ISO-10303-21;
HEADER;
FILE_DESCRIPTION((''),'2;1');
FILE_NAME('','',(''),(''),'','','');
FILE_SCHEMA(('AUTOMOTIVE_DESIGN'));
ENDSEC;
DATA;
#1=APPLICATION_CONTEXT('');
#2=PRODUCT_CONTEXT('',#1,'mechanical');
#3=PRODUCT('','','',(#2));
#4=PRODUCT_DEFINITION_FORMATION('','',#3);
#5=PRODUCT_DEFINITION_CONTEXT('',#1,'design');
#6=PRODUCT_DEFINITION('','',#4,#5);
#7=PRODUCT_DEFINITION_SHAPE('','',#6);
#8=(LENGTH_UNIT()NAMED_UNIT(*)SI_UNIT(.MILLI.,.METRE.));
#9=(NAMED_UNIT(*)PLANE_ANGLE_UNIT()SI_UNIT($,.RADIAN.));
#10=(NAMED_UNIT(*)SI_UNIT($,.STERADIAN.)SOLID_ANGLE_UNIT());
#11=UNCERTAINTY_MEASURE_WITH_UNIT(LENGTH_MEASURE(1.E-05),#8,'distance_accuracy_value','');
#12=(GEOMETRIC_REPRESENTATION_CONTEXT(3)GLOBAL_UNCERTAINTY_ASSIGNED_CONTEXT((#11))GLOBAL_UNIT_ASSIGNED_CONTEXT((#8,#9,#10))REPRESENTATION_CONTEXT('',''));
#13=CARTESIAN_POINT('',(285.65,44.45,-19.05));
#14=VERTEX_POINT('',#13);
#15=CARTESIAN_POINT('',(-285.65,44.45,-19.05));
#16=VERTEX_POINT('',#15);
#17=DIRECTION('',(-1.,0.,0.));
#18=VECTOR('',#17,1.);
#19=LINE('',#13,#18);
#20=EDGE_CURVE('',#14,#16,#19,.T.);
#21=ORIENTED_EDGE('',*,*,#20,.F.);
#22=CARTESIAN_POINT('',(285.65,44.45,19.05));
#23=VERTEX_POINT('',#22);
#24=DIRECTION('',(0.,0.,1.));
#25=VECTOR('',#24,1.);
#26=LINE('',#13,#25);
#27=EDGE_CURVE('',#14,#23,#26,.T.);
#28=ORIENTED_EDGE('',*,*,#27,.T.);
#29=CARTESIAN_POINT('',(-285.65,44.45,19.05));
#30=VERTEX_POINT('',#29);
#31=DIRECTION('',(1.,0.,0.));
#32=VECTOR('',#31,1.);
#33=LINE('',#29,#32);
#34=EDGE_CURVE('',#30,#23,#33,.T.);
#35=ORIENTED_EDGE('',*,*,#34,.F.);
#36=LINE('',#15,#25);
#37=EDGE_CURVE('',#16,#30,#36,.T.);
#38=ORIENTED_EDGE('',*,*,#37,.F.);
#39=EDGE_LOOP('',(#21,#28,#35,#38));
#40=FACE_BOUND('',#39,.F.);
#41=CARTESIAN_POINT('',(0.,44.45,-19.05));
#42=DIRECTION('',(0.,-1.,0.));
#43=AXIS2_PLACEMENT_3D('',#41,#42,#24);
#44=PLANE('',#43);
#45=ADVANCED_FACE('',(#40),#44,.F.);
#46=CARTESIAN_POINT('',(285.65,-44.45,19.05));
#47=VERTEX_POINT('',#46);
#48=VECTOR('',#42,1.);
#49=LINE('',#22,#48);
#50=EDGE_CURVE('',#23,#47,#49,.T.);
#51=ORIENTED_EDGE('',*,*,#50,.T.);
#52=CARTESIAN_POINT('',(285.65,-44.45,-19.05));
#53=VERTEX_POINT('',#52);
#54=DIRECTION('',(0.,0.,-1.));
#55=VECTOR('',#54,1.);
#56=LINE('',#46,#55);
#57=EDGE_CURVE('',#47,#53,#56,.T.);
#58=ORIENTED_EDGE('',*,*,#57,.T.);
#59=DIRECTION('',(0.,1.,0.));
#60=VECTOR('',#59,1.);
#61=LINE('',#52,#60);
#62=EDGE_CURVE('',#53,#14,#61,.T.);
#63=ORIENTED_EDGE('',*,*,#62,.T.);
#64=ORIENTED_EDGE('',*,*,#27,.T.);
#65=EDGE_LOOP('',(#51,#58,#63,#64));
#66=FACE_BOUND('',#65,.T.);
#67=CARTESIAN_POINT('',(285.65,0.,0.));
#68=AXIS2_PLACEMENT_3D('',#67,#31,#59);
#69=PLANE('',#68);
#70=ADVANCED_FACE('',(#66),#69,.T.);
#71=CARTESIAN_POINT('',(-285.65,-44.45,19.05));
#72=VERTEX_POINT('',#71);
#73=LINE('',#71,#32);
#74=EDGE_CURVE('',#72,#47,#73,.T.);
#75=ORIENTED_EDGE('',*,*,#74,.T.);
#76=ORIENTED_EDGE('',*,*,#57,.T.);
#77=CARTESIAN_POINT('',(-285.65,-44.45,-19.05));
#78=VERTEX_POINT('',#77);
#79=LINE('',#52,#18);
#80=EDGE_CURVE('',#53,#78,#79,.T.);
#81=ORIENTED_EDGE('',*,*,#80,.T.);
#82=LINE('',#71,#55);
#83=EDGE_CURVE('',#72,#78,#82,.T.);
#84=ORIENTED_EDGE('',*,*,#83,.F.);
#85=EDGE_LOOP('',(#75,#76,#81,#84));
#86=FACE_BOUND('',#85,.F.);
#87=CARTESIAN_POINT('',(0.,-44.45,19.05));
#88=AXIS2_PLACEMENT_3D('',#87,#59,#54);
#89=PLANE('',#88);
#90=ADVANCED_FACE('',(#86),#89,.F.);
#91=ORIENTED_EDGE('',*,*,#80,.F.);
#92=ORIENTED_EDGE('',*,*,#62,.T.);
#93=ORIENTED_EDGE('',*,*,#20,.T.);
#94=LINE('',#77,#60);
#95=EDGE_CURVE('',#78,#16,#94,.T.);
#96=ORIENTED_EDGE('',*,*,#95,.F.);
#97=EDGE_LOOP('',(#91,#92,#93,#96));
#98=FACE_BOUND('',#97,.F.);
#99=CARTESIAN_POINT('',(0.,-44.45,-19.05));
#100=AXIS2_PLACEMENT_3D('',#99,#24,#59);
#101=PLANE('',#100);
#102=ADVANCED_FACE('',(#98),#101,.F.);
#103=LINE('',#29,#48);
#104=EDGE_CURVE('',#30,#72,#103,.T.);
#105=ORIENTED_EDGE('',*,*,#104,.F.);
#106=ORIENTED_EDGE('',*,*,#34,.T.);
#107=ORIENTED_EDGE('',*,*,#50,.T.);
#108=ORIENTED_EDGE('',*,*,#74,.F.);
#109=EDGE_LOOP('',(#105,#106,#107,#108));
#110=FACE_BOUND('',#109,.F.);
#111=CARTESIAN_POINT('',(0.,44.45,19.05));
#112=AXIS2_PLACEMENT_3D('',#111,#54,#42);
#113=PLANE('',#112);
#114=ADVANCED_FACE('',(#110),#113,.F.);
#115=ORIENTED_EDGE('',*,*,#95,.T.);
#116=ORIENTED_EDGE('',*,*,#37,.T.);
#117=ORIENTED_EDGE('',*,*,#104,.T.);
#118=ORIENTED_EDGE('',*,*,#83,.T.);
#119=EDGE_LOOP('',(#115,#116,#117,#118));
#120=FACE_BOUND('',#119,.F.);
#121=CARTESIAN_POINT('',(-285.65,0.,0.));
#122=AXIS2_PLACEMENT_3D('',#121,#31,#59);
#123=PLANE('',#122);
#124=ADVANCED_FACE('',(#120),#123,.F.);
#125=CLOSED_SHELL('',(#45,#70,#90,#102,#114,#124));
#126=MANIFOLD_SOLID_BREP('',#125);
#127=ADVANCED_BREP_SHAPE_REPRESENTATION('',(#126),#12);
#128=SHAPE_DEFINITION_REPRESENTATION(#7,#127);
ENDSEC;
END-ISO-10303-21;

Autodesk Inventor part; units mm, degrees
ref_plane "YZ Plane" through (0, 0, 0) normal (1, 0, 0) x (0, 1, 0)
ref_plane "XZ Plane" through (0, 0, 0) normal (0, 1, 0) x (-1, 0, 0)
ref_plane "XY Plane" through (0, 0, 0) normal (0, 0, 1) x (1, 0, 0)
sketch "Sketch1" plane through (0, 0, 0) normal (1, 0, 0) x (0, 1, 0)
  line L0 (44.45, 19.05) -> (-44.45, 19.05)
  line L1 (-44.45, 19.05) -> (-44.45, -19.05)
  line L2 (-44.45, -19.05) -> (44.45, -19.05)
  line L3 (44.45, -19.05) -> (44.45, 19.05)
  line L4 (44.45, 19.05) -> (-44.45, -19.05) construction
  line L5 (-44.45, 19.05) -> (44.45, -19.05) construction
  point P0 (0, 0)
  dimension "d0" = 88.9
  dimension "d1" = 38.1
extrude "Extrusion1" add sketch "Sketch1" along normal mid plane 571.3
properties part number "CNC-X-axis- main 2 by 4"
